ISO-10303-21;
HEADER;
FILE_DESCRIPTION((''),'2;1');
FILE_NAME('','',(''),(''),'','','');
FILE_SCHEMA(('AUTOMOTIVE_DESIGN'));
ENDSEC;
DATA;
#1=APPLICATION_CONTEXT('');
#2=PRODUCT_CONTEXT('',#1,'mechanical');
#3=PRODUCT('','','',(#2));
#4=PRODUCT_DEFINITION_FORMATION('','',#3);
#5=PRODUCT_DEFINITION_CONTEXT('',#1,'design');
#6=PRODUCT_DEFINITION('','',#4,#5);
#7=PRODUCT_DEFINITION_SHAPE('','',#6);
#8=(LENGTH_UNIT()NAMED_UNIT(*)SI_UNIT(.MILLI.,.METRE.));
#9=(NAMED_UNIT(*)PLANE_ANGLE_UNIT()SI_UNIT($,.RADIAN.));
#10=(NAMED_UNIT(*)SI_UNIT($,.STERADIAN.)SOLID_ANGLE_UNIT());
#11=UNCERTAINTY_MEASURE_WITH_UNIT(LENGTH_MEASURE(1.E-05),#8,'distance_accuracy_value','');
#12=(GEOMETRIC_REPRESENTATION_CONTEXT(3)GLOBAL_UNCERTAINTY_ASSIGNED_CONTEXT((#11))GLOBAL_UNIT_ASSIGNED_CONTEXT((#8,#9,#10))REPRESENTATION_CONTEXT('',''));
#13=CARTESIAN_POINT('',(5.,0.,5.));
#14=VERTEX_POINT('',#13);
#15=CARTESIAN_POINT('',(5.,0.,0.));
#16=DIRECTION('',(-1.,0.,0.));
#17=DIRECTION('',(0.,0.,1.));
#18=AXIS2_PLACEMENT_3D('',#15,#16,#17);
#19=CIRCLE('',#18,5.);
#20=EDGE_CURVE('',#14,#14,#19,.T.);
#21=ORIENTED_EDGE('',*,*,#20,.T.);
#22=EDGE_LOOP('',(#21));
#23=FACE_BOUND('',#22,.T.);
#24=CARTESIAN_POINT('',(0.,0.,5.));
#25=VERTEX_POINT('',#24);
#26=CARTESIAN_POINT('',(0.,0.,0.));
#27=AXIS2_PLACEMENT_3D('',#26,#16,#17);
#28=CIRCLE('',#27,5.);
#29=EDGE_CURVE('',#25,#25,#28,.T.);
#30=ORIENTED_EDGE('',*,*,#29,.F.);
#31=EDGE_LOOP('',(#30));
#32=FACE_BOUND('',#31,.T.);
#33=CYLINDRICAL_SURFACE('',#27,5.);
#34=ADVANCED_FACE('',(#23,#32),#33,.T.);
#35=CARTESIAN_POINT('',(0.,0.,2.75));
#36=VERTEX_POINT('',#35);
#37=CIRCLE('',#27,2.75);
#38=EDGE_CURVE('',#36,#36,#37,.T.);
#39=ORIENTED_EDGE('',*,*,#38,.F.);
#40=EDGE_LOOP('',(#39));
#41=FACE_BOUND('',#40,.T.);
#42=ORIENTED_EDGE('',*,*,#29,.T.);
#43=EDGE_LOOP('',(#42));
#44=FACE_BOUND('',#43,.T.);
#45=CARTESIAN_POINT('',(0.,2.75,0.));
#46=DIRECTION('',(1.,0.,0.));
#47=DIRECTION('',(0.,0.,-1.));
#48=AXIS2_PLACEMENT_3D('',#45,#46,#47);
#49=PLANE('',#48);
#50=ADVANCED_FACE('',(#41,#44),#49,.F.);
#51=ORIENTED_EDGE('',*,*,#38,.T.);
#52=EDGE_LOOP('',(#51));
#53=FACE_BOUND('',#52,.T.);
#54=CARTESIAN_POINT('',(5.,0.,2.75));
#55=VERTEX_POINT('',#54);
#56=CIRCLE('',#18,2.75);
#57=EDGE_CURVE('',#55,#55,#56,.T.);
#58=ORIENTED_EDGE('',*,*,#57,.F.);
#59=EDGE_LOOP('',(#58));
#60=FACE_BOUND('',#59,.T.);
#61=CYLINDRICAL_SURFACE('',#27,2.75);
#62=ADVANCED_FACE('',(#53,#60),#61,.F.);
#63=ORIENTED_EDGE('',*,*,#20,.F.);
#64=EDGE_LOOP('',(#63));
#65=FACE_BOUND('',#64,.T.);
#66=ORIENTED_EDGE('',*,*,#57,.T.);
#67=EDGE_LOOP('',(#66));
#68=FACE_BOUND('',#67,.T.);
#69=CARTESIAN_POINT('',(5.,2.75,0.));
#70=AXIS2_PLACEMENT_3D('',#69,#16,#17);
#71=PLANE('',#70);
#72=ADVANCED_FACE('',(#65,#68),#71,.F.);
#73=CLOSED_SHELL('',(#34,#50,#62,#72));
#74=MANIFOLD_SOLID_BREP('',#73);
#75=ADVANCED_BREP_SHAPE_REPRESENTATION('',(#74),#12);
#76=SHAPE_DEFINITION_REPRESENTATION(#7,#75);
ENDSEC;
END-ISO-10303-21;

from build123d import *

# Parameters (mm, degrees)
ESQUISSE1_W = 5
ESQUISSE1_H = 2.25


with BuildPart() as part:
    # Esquisse1 → Révolution1 (revolve)
    with BuildSketch(Plane.XY):
        with Locations((2.5, 3.875)):
            Rectangle(ESQUISSE1_W, ESQUISSE1_H)
    revolve(axis=Axis((0, 0, 0), (1, 0, 0)))


solid = part.part
